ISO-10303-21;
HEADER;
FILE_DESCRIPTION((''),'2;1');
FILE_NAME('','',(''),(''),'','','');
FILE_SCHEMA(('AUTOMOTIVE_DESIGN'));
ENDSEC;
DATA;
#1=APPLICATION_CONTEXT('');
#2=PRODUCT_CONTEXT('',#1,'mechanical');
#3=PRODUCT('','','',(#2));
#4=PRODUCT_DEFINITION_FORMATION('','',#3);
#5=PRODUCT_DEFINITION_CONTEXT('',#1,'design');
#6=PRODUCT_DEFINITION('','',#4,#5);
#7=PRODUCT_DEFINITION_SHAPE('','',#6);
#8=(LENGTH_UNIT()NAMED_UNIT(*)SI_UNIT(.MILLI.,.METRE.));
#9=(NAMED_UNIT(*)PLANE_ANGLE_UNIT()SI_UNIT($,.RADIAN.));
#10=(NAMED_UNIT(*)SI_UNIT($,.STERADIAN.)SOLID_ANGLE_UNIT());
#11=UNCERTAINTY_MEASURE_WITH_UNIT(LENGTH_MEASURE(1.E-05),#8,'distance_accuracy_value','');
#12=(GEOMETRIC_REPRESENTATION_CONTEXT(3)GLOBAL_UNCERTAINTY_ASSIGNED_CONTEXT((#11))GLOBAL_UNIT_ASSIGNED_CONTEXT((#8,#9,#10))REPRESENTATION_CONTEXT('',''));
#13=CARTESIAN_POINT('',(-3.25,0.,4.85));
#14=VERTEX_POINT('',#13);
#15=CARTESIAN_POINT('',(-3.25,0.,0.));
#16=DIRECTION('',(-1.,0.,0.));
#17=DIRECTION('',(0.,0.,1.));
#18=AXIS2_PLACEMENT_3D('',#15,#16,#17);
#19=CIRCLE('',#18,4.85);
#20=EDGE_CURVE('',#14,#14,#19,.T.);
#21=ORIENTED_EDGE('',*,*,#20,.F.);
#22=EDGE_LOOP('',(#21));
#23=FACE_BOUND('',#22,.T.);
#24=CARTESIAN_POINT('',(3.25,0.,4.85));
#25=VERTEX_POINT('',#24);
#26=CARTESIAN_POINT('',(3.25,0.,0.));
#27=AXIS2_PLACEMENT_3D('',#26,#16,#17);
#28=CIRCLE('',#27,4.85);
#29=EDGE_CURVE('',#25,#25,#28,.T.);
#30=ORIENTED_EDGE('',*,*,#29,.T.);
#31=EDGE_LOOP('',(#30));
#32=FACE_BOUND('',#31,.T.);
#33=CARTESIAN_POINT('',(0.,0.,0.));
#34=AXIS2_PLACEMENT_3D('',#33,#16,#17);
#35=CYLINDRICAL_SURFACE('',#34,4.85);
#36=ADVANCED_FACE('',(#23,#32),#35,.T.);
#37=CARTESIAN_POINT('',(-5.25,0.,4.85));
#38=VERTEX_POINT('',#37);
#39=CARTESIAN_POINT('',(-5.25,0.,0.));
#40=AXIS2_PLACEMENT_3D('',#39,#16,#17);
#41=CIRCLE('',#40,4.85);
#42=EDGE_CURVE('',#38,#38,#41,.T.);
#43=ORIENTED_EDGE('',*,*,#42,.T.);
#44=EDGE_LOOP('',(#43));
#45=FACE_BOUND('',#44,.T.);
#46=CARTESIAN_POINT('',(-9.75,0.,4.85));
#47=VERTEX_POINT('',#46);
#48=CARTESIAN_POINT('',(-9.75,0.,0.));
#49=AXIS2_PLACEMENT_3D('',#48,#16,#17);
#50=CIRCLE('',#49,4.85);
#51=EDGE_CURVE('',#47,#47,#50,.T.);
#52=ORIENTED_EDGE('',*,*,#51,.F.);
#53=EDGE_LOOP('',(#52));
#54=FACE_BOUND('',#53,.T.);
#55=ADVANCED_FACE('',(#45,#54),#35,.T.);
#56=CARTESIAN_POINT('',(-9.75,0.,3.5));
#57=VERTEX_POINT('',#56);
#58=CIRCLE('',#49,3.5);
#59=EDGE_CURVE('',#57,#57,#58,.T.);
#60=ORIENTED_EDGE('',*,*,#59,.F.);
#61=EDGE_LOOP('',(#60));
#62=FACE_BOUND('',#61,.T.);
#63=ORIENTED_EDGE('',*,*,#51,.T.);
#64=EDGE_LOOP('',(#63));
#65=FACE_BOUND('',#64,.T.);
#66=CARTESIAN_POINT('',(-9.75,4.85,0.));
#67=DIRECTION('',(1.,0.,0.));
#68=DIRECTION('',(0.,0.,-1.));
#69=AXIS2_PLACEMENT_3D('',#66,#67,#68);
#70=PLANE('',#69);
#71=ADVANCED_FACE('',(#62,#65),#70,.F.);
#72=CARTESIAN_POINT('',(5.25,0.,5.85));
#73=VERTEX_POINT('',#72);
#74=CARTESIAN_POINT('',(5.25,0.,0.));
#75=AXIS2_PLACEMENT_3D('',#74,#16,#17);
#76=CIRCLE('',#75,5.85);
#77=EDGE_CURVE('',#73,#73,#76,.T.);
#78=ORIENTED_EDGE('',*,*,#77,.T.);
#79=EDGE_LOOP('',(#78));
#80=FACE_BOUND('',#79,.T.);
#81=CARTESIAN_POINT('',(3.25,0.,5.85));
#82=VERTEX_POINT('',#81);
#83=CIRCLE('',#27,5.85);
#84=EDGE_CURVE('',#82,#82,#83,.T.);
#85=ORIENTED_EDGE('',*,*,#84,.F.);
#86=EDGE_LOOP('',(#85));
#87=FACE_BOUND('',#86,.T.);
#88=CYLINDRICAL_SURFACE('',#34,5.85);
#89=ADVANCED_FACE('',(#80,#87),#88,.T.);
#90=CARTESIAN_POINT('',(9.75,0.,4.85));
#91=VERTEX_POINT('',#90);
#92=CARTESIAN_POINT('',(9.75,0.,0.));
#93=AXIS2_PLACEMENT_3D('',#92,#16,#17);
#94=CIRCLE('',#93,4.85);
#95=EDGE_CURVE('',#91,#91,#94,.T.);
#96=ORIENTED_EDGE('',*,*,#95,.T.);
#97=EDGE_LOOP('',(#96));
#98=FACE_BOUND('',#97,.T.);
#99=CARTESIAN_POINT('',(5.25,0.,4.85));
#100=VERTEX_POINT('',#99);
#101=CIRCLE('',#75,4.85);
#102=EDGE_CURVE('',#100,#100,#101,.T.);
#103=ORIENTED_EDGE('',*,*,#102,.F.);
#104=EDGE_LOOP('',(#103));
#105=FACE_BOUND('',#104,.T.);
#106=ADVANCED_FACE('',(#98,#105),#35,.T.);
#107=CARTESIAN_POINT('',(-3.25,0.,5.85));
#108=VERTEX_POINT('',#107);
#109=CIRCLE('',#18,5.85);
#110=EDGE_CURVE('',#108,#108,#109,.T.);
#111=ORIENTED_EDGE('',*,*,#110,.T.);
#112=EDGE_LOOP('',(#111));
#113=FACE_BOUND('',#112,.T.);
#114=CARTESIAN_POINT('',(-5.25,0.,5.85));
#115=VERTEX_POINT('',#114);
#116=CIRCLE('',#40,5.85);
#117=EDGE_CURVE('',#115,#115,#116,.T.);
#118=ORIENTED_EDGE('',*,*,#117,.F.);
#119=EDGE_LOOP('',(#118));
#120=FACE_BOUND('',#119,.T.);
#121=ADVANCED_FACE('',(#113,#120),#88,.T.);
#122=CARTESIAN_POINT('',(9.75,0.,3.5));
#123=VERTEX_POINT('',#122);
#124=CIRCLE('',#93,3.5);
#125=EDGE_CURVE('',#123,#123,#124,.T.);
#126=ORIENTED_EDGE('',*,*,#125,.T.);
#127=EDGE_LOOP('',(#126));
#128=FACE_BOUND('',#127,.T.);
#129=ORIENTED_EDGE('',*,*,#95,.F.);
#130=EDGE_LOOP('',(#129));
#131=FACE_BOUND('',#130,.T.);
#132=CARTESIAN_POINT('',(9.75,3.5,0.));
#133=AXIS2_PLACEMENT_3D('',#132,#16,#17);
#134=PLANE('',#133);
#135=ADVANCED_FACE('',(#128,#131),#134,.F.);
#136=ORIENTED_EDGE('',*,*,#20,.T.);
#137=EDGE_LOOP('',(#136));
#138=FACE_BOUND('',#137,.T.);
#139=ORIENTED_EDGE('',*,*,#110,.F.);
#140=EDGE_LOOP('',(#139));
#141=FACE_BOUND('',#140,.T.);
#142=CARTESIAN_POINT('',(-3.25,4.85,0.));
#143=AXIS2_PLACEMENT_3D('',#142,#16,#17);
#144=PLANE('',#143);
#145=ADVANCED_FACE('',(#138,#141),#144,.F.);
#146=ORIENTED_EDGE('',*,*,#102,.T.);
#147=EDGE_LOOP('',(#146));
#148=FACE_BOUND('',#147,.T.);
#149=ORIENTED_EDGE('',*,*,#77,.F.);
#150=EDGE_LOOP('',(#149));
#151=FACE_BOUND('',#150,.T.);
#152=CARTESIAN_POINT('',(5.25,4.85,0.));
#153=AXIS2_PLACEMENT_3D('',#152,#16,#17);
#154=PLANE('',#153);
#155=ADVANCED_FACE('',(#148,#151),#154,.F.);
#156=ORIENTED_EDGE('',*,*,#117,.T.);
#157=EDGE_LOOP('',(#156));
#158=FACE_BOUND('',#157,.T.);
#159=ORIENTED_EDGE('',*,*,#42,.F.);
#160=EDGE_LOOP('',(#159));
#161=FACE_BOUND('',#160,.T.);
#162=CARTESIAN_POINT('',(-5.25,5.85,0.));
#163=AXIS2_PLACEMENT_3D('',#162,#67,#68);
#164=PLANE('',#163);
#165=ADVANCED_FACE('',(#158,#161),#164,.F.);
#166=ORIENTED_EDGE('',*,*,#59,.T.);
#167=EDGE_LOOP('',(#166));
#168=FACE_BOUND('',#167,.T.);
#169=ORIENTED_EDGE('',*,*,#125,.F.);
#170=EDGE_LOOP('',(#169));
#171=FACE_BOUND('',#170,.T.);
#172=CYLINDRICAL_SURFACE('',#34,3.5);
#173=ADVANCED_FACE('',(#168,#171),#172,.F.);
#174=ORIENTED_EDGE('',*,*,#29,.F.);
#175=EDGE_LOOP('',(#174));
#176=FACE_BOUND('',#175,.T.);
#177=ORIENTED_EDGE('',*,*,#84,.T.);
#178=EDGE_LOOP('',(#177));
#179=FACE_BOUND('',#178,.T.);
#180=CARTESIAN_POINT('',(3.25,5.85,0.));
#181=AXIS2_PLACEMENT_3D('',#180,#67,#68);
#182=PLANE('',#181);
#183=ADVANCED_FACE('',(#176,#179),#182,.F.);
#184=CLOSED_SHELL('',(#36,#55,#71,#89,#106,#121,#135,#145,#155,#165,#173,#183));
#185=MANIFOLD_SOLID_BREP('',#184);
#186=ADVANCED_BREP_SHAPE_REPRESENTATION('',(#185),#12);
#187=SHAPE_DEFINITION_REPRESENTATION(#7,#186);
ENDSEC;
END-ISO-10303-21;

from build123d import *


with BuildPart() as part:
    # Skica1 → Rotovat1 (revolve)
    with BuildSketch(Plane.XY):
        Polygon((0, 3.5), (9.75, 3.5), (9.75, 4.85), (5.25, 4.85), (5.25, 5.85), (3.25, 5.85), (3.25, 4.85), (-3.25, 4.85), (-3.25, 5.85), (-5.25, 5.85), (-5.25, 4.85), (-9.75, 4.85), (-9.75, 3.5), align=None)
    revolve(axis=Axis((0, 0, 0), (1, 0, 0)))


solid = part.part
